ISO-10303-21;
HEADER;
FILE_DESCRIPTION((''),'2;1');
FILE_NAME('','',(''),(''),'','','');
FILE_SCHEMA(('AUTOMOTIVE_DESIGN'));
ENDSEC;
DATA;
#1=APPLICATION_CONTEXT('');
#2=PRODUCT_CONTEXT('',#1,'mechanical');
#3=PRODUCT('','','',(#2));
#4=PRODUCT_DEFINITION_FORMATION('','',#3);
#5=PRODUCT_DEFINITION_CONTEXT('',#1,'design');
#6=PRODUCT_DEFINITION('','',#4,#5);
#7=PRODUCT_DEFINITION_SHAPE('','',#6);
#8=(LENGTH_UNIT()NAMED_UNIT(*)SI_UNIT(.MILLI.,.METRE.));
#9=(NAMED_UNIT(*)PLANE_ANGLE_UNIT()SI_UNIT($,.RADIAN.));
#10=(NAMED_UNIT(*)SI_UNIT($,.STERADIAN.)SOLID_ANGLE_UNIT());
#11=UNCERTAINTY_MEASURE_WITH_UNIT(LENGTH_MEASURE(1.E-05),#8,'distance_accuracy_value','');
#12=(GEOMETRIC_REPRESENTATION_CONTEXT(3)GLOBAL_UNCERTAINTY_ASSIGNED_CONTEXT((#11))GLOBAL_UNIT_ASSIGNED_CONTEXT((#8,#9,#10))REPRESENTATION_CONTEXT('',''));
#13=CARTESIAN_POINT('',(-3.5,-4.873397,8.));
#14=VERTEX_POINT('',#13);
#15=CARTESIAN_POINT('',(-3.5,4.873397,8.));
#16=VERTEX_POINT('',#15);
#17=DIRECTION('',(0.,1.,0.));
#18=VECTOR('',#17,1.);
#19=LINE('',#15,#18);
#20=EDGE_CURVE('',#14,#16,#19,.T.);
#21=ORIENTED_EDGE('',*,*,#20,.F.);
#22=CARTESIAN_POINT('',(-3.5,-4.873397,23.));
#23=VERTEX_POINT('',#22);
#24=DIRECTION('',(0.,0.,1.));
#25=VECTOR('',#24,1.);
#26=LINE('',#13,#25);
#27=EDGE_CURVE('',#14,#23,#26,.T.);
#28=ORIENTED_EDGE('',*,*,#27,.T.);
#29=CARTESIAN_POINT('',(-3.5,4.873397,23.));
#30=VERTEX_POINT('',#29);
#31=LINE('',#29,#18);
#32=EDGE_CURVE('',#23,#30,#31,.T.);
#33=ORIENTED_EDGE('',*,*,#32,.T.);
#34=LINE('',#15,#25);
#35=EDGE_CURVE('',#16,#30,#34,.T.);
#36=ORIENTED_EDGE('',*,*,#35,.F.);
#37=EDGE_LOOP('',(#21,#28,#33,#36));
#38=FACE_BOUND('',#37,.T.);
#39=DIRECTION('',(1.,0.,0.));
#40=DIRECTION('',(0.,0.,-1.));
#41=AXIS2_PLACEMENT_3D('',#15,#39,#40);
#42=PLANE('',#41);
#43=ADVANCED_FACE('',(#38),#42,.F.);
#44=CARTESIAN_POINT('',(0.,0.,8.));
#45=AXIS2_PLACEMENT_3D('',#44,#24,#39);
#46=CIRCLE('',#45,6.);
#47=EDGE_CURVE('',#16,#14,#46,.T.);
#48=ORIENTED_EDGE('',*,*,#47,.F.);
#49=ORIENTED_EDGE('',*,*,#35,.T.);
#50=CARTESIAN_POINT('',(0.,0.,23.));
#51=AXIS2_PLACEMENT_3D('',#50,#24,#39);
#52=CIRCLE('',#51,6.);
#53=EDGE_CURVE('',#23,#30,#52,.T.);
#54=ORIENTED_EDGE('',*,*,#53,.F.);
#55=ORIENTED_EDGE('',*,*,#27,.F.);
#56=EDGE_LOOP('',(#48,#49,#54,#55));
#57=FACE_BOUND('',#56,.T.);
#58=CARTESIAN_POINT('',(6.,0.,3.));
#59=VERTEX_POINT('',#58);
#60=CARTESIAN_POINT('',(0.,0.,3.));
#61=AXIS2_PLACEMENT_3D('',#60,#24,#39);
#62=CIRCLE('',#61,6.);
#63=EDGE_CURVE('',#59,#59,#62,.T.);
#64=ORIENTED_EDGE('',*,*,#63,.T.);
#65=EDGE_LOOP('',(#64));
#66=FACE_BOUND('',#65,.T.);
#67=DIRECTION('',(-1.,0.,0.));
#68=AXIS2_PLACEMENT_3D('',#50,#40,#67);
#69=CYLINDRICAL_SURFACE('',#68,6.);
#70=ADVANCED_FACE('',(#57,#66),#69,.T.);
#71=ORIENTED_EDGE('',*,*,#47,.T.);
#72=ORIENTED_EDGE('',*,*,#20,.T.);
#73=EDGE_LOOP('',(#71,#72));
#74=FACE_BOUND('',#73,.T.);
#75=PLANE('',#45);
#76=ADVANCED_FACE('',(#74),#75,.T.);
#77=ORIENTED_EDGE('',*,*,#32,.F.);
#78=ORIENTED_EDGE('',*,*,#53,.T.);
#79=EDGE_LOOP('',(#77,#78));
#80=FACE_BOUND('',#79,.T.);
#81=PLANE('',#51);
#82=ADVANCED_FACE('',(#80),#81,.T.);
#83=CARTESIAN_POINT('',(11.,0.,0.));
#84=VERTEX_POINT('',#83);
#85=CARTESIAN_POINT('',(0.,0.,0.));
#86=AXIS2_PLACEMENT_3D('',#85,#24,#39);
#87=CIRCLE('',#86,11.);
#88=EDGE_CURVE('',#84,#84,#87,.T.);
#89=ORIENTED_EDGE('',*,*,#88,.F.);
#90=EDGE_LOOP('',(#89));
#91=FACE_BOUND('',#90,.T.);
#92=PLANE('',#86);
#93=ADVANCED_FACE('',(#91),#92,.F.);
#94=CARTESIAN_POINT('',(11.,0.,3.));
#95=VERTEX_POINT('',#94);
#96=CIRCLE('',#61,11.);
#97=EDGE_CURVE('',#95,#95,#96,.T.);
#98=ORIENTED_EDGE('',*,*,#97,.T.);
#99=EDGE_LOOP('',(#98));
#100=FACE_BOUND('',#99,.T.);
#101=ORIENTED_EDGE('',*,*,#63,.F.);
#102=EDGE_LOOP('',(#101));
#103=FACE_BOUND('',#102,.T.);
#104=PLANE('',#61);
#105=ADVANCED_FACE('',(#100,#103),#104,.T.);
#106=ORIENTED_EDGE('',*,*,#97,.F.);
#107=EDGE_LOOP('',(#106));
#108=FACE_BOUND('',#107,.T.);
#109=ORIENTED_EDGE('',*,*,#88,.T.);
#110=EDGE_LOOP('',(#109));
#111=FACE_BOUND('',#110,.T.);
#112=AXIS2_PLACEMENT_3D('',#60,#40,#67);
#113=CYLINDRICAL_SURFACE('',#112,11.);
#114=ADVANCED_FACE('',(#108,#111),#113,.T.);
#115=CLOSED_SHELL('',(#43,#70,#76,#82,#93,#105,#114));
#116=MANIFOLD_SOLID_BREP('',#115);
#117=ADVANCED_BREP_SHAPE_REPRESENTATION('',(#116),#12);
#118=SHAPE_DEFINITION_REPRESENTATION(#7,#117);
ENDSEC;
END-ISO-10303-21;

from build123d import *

# Parameters (mm, degrees)
SKETCH1_R           = 11
BOSS_EXTRUDE1_DEPTH = 3
SKETCH2_R           = 6
BOSS_EXTRUDE2_DEPTH = 20
CUT_EXTRUDE1_DEPTH  = 15


with BuildPart() as part:
    # Sketch1 → Boss-Extrude1 (new body)
    with BuildSketch(Plane.XY):
        Circle(SKETCH1_R)
    extrude(amount=BOSS_EXTRUDE1_DEPTH)

    # Sketch2 → Boss-Extrude2 (add)
    with BuildSketch(Plane.XY.offset(3)):
        Circle(SKETCH2_R)
    extrude(amount=BOSS_EXTRUDE2_DEPTH)

    # Sketch3 → Cut-Extrude1 (cut)
    with BuildSketch(Plane.XY.offset(23)):
        with BuildLine():
            Line((-3.5, 4.873397172), (-3.5, -4.873397172))
            ThreePointArc((-3.5, -4.873397172), (-6, 0), (-3.5, 4.873397172))
        make_face()
    extrude(amount=-CUT_EXTRUDE1_DEPTH, mode=Mode.SUBTRACT)


solid = part.part
